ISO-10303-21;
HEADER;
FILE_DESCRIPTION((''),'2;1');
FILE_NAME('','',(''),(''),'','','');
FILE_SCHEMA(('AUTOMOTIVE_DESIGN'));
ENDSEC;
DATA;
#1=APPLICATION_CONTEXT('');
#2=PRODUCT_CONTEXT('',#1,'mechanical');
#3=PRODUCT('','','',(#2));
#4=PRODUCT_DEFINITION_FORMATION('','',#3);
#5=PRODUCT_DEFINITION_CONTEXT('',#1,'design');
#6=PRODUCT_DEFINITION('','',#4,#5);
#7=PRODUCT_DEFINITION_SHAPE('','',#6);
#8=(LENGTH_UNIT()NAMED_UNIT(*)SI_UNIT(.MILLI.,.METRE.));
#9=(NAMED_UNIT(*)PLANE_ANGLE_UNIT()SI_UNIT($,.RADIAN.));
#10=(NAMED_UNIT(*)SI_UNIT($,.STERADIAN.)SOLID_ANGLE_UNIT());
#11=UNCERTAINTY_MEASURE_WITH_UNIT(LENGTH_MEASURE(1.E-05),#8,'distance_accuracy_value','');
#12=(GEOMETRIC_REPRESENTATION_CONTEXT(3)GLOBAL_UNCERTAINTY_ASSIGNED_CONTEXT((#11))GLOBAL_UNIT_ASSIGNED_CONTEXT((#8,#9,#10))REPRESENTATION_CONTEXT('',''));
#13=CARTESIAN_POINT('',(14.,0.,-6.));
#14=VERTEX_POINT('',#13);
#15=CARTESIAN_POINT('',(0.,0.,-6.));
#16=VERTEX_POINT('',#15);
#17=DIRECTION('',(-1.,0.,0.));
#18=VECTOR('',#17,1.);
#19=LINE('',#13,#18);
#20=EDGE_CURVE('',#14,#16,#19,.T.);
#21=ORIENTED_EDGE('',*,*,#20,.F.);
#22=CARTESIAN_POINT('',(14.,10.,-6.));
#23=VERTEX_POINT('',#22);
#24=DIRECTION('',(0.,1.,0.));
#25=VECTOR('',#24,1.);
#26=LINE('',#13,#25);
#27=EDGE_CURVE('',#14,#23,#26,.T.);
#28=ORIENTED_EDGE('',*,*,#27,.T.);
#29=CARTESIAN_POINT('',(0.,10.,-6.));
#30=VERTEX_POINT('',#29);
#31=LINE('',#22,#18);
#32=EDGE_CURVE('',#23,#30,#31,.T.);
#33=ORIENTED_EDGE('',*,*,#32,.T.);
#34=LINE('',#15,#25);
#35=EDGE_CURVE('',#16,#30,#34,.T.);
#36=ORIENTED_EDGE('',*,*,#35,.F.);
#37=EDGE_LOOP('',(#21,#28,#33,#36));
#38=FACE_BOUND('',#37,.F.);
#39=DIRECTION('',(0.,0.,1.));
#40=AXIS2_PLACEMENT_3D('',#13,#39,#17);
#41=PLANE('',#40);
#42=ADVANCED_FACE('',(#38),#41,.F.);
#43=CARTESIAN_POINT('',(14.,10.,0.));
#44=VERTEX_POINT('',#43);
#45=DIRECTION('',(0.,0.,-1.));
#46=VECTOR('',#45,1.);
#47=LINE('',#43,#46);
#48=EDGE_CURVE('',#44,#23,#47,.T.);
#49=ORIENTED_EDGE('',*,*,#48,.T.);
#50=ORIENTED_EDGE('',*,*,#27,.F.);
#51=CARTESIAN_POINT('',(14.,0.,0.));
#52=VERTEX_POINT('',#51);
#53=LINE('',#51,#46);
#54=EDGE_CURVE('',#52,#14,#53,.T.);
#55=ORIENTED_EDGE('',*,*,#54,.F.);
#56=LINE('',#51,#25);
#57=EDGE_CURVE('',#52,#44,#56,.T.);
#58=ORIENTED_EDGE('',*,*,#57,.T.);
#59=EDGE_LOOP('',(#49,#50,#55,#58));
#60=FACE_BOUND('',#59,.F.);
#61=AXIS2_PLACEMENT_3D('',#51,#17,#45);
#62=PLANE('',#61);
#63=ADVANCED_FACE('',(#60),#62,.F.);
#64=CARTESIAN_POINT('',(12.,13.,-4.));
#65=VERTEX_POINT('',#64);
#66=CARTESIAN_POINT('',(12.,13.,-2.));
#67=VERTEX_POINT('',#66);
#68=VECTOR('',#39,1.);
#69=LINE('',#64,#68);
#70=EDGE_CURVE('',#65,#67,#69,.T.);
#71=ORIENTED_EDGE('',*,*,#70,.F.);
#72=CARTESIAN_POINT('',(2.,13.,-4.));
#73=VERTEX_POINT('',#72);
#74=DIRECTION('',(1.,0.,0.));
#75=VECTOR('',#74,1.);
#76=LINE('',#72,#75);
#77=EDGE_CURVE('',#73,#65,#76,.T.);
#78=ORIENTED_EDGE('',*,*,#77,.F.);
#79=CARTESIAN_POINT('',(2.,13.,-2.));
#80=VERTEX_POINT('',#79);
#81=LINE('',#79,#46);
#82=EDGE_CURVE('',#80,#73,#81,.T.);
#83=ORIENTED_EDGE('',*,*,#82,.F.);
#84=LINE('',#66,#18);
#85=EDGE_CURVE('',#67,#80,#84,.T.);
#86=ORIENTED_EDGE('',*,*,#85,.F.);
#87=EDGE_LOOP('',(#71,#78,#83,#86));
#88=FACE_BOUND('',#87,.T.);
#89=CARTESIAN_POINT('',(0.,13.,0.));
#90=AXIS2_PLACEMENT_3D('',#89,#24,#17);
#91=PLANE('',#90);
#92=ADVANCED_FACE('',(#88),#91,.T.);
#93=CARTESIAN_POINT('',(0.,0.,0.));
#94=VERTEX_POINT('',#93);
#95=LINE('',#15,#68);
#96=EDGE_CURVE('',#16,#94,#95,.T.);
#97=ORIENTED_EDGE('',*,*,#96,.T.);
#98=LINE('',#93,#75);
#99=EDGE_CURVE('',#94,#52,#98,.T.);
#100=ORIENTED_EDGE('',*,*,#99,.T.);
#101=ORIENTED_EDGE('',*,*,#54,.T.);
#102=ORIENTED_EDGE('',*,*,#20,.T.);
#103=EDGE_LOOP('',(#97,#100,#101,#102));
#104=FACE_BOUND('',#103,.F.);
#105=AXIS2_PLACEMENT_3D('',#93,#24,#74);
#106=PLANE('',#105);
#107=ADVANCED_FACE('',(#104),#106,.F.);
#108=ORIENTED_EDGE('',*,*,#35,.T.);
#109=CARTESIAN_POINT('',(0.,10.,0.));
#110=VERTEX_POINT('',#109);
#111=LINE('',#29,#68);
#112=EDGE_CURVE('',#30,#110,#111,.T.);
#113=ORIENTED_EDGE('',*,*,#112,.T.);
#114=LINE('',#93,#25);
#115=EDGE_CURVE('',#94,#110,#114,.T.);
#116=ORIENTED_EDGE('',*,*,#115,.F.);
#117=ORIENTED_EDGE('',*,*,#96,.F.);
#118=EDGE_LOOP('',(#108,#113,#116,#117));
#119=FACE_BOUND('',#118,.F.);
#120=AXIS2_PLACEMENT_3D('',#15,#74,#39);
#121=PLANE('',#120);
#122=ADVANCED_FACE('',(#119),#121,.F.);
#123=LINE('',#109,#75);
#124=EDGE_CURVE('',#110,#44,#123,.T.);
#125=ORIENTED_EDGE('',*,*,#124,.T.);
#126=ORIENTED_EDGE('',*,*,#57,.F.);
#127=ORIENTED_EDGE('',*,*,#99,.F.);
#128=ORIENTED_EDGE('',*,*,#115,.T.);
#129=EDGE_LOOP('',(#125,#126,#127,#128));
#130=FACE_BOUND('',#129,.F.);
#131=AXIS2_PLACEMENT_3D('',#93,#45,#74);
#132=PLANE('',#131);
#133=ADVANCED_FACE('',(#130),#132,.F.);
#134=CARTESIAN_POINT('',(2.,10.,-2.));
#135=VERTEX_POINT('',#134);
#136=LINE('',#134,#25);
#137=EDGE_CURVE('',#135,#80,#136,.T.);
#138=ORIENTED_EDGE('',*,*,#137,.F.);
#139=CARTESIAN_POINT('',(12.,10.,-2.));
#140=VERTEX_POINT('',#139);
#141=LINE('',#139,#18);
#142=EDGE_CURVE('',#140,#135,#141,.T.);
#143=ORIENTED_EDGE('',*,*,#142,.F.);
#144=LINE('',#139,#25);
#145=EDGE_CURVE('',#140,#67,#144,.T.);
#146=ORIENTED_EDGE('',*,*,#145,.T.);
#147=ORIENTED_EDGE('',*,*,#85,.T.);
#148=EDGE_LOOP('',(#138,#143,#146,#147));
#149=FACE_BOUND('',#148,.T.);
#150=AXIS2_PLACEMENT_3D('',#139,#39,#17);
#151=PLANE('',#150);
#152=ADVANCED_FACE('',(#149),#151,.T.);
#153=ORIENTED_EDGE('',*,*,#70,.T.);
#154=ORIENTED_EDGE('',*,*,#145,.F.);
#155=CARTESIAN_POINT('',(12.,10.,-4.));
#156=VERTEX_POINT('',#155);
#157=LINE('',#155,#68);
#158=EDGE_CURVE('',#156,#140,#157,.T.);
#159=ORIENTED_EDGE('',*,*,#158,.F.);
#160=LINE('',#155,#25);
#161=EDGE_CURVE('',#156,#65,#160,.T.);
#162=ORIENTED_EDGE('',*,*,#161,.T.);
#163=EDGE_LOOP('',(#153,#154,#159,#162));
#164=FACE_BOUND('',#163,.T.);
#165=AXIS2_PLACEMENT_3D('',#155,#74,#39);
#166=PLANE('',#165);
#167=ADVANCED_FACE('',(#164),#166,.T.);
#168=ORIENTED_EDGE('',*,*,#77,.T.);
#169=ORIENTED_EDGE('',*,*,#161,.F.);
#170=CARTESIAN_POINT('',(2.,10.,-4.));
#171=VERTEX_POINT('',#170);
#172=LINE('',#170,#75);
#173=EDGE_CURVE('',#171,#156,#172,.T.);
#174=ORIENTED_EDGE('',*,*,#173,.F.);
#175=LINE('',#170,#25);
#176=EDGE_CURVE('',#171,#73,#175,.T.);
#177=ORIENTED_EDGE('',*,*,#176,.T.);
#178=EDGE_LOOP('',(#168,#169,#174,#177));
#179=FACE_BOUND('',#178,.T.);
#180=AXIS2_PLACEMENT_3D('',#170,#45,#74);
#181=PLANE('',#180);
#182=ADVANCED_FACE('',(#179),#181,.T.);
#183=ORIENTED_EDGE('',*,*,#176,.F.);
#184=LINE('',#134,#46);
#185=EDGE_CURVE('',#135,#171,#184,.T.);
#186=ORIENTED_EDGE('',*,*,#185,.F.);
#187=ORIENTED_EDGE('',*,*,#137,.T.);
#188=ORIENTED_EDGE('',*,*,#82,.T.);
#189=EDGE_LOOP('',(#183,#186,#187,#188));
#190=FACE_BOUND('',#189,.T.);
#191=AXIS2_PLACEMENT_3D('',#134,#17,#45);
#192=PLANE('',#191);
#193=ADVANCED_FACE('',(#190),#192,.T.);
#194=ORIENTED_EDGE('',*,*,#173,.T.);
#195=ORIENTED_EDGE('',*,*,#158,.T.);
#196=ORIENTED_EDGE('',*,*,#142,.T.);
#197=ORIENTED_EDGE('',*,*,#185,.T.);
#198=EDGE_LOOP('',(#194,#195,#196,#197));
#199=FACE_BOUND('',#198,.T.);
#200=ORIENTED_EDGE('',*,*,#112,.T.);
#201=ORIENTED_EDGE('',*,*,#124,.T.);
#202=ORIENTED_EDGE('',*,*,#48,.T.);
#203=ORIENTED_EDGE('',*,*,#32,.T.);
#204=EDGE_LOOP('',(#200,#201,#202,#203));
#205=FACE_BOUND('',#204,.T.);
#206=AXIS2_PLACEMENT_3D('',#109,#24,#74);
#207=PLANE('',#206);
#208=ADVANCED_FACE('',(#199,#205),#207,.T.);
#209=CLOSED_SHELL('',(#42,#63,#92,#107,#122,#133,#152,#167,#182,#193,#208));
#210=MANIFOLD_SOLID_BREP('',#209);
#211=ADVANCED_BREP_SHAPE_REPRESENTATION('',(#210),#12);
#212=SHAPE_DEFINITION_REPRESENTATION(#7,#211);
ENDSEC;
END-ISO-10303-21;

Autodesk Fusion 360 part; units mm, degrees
sketch "Sketch1" plane through (0, 0, 0) normal (0, 1, 0) x (1, 0, 0)
  line L0 (0, 0) -> (14, 0)
  line L1 (14, 0) -> (14, 6)
  line L2 (14, 6) -> (0, 6)
  line L3 (0, 6) -> (0, 0)
  dimension "d1" = 14
  dimension "d2" = 6
extrude "Extrude1" add sketch "Sketch1" along normal blind 10
sketch "Sketch2" plane through (0, 10, 0) normal (0, 1, 0) x (-1, 0, 0)
  line L0 (0, -6) -> (0, 0)
  line L1 (0, 0) -> (-14, 0)
  line L2 (-14, 0) -> (-14, -6)
  line L3 (-14, -6) -> (0, -6)
  line L4 (-2, -4) -> (-12, -4)
  line L5 (-12, -4) -> (-12, -2)
  line L6 (-12, -2) -> (-2, -2)
  line L7 (-2, -2) -> (-2, -4)
  dimension "d5" = 2
  dimension "d6" = 2
  dimension "d7" = 2
  dimension "d8" = 2
extrude "Extrude2" add sketch "Sketch2" along normal blind 3 contours L4 L5 L6 L7
